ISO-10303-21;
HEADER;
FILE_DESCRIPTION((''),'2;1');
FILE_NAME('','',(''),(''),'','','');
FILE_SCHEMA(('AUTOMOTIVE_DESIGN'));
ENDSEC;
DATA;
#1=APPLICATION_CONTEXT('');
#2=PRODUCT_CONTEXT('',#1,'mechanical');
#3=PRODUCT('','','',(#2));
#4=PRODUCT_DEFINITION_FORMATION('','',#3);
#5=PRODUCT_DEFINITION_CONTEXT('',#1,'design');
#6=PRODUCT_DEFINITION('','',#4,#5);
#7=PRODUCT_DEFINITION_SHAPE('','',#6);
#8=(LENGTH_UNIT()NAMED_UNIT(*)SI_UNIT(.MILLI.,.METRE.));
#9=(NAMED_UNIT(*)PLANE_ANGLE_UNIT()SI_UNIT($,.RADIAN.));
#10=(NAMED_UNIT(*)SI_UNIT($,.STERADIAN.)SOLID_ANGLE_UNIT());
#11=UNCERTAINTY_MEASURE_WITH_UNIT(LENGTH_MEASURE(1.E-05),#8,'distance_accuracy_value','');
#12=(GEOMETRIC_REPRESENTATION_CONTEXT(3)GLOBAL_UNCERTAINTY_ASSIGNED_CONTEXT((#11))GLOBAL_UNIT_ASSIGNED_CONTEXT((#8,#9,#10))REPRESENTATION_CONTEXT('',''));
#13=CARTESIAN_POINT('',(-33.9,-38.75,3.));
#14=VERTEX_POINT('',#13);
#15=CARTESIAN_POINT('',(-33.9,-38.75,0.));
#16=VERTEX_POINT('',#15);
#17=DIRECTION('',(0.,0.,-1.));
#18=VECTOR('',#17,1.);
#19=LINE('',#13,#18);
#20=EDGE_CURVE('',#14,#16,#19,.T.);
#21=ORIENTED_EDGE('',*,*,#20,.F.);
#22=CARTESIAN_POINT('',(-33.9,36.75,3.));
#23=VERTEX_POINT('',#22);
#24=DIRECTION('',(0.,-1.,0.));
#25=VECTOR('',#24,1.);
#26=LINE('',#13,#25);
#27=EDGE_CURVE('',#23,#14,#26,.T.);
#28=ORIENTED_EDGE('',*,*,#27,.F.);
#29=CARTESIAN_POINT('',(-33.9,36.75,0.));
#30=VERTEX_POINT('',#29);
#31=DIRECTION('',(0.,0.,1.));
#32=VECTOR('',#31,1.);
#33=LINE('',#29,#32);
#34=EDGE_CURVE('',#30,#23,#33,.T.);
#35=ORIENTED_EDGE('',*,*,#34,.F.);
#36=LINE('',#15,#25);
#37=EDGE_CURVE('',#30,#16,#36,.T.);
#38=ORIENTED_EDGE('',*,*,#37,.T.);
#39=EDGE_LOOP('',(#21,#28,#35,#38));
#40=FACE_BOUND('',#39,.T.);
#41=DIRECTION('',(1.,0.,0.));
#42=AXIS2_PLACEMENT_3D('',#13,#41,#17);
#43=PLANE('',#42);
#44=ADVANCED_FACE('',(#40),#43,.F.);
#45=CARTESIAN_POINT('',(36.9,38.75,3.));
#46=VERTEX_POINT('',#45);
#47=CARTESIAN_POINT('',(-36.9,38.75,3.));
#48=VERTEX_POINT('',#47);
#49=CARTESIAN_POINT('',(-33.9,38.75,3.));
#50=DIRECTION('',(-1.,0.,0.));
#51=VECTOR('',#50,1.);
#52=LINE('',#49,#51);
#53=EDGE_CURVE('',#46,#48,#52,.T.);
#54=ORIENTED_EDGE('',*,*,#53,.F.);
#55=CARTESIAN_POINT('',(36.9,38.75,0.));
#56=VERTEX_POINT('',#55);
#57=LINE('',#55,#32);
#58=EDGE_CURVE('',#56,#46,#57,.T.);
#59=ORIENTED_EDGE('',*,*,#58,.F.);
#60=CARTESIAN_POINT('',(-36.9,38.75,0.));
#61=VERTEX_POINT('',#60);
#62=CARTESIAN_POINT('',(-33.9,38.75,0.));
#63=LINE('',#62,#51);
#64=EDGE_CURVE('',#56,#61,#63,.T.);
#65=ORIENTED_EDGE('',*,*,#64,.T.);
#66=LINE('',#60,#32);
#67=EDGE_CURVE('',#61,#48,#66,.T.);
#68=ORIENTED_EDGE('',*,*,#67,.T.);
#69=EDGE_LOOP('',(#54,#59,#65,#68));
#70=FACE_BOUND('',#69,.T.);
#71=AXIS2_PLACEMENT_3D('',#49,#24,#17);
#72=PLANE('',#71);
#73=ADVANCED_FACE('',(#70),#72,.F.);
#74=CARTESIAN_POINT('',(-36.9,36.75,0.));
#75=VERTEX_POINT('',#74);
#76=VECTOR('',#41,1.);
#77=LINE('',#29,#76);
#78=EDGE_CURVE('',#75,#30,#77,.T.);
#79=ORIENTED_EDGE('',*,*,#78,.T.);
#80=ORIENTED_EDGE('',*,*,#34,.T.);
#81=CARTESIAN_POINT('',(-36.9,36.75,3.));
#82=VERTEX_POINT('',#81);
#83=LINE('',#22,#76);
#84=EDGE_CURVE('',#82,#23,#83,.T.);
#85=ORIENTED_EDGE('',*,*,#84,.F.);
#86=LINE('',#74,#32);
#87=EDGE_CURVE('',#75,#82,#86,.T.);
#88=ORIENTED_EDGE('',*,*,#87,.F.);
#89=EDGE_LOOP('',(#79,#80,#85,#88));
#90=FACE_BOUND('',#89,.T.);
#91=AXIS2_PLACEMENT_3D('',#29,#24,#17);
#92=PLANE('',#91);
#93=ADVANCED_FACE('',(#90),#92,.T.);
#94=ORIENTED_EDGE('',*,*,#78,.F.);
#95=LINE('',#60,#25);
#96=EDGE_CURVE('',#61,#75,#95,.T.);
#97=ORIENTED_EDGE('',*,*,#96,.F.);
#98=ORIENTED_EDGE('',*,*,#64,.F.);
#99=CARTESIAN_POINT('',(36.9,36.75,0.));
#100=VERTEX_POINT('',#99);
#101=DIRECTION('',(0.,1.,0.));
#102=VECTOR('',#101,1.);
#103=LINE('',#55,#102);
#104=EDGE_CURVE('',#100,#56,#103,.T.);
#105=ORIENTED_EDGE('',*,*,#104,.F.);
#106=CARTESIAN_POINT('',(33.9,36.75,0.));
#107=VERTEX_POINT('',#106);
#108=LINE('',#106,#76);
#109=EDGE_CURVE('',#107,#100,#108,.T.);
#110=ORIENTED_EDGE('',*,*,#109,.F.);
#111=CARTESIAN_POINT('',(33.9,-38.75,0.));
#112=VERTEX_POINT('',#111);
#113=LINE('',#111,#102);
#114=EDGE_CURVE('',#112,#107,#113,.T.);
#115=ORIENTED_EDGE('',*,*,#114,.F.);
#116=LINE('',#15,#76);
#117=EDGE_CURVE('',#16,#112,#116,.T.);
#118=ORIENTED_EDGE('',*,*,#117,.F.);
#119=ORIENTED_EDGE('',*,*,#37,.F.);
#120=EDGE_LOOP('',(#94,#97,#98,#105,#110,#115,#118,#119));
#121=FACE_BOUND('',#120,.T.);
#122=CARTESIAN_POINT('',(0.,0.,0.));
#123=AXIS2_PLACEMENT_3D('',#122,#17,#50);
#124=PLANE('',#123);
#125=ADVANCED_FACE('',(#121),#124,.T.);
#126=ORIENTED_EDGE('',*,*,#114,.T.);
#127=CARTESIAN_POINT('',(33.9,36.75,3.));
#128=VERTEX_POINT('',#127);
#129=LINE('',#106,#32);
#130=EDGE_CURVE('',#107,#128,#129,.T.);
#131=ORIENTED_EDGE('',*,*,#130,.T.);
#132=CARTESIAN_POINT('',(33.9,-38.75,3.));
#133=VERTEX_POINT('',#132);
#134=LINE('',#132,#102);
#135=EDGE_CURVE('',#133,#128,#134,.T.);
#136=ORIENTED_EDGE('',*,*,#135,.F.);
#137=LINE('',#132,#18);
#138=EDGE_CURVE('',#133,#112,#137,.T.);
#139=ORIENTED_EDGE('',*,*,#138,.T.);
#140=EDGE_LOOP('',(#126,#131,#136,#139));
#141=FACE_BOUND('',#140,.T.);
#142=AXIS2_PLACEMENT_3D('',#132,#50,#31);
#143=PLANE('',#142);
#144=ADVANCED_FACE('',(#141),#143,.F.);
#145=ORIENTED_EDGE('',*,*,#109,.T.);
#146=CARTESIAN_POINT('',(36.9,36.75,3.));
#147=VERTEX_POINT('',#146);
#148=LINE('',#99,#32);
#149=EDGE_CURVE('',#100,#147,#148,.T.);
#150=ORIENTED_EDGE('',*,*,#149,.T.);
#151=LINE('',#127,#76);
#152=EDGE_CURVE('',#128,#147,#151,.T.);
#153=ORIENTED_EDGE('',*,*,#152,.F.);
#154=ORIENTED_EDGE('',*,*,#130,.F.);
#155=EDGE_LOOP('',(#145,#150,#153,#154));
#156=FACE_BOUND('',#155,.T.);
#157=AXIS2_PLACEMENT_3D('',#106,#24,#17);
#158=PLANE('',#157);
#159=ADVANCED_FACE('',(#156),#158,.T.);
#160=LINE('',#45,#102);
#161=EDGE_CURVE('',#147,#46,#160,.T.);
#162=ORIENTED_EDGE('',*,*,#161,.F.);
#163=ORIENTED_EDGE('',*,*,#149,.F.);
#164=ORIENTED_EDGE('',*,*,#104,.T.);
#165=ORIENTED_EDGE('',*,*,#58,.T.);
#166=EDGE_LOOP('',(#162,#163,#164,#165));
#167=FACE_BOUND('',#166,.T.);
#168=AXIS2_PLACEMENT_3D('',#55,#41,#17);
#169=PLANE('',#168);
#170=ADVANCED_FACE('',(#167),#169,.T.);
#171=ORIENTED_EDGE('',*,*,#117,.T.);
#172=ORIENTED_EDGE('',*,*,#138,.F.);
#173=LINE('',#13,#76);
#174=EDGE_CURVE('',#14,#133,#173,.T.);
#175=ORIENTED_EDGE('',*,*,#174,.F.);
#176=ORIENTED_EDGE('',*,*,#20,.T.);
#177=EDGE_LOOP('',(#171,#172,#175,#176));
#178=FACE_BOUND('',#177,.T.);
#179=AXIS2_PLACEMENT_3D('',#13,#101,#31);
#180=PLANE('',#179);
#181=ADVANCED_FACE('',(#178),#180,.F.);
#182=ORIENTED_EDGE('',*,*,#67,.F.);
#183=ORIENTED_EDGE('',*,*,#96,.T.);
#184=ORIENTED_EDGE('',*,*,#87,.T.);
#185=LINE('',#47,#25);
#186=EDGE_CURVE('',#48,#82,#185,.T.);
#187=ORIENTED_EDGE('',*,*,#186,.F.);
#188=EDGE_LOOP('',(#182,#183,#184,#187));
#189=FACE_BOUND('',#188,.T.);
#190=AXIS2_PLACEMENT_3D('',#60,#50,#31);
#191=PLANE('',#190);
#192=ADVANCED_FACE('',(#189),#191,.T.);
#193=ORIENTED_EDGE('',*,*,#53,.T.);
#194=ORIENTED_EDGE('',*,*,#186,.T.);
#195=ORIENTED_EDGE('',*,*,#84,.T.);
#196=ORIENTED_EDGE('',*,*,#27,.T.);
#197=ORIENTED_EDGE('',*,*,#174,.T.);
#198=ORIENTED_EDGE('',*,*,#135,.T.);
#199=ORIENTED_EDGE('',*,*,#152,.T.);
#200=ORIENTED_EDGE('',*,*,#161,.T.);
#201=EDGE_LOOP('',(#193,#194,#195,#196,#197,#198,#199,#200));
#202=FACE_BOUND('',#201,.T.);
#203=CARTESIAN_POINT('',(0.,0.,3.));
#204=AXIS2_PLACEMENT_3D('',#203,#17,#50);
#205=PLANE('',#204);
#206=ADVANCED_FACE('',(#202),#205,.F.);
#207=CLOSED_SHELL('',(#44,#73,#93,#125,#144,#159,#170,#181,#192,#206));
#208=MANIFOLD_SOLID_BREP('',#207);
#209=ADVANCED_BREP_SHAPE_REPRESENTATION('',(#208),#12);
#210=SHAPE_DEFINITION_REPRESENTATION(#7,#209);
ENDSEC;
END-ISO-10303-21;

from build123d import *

# Parameters (mm, degrees)
ESBO_O1_W                = 67.8
ESBO_O1_H                = 77.5
RESSALTO_EXTRUS_O1_DEPTH = 3
ESBO_O2_W                = 3
ESBO_O2_H                = 2
RESSALTO_EXTRUS_O2_DEPTH = 3


with BuildPart() as part:
    # Esboço1 → Ressalto-extrusão1 (new body)
    with BuildSketch(Plane.XY):
        Rectangle(ESBO_O1_W, ESBO_O1_H)
    extrude(amount=RESSALTO_EXTRUS_O1_DEPTH)

    # Esboço2 → Ressalto-extrusão2 (add)
    with BuildSketch(Plane.XY.offset(3)):
        with Locations((35.4, 37.75)):
            Rectangle(ESBO_O2_W, ESBO_O2_H)
        with Locations((-35.4, 37.75)):
            Rectangle(ESBO_O2_W, ESBO_O2_H)
    extrude(amount=-RESSALTO_EXTRUS_O2_DEPTH)


solid = part.part
